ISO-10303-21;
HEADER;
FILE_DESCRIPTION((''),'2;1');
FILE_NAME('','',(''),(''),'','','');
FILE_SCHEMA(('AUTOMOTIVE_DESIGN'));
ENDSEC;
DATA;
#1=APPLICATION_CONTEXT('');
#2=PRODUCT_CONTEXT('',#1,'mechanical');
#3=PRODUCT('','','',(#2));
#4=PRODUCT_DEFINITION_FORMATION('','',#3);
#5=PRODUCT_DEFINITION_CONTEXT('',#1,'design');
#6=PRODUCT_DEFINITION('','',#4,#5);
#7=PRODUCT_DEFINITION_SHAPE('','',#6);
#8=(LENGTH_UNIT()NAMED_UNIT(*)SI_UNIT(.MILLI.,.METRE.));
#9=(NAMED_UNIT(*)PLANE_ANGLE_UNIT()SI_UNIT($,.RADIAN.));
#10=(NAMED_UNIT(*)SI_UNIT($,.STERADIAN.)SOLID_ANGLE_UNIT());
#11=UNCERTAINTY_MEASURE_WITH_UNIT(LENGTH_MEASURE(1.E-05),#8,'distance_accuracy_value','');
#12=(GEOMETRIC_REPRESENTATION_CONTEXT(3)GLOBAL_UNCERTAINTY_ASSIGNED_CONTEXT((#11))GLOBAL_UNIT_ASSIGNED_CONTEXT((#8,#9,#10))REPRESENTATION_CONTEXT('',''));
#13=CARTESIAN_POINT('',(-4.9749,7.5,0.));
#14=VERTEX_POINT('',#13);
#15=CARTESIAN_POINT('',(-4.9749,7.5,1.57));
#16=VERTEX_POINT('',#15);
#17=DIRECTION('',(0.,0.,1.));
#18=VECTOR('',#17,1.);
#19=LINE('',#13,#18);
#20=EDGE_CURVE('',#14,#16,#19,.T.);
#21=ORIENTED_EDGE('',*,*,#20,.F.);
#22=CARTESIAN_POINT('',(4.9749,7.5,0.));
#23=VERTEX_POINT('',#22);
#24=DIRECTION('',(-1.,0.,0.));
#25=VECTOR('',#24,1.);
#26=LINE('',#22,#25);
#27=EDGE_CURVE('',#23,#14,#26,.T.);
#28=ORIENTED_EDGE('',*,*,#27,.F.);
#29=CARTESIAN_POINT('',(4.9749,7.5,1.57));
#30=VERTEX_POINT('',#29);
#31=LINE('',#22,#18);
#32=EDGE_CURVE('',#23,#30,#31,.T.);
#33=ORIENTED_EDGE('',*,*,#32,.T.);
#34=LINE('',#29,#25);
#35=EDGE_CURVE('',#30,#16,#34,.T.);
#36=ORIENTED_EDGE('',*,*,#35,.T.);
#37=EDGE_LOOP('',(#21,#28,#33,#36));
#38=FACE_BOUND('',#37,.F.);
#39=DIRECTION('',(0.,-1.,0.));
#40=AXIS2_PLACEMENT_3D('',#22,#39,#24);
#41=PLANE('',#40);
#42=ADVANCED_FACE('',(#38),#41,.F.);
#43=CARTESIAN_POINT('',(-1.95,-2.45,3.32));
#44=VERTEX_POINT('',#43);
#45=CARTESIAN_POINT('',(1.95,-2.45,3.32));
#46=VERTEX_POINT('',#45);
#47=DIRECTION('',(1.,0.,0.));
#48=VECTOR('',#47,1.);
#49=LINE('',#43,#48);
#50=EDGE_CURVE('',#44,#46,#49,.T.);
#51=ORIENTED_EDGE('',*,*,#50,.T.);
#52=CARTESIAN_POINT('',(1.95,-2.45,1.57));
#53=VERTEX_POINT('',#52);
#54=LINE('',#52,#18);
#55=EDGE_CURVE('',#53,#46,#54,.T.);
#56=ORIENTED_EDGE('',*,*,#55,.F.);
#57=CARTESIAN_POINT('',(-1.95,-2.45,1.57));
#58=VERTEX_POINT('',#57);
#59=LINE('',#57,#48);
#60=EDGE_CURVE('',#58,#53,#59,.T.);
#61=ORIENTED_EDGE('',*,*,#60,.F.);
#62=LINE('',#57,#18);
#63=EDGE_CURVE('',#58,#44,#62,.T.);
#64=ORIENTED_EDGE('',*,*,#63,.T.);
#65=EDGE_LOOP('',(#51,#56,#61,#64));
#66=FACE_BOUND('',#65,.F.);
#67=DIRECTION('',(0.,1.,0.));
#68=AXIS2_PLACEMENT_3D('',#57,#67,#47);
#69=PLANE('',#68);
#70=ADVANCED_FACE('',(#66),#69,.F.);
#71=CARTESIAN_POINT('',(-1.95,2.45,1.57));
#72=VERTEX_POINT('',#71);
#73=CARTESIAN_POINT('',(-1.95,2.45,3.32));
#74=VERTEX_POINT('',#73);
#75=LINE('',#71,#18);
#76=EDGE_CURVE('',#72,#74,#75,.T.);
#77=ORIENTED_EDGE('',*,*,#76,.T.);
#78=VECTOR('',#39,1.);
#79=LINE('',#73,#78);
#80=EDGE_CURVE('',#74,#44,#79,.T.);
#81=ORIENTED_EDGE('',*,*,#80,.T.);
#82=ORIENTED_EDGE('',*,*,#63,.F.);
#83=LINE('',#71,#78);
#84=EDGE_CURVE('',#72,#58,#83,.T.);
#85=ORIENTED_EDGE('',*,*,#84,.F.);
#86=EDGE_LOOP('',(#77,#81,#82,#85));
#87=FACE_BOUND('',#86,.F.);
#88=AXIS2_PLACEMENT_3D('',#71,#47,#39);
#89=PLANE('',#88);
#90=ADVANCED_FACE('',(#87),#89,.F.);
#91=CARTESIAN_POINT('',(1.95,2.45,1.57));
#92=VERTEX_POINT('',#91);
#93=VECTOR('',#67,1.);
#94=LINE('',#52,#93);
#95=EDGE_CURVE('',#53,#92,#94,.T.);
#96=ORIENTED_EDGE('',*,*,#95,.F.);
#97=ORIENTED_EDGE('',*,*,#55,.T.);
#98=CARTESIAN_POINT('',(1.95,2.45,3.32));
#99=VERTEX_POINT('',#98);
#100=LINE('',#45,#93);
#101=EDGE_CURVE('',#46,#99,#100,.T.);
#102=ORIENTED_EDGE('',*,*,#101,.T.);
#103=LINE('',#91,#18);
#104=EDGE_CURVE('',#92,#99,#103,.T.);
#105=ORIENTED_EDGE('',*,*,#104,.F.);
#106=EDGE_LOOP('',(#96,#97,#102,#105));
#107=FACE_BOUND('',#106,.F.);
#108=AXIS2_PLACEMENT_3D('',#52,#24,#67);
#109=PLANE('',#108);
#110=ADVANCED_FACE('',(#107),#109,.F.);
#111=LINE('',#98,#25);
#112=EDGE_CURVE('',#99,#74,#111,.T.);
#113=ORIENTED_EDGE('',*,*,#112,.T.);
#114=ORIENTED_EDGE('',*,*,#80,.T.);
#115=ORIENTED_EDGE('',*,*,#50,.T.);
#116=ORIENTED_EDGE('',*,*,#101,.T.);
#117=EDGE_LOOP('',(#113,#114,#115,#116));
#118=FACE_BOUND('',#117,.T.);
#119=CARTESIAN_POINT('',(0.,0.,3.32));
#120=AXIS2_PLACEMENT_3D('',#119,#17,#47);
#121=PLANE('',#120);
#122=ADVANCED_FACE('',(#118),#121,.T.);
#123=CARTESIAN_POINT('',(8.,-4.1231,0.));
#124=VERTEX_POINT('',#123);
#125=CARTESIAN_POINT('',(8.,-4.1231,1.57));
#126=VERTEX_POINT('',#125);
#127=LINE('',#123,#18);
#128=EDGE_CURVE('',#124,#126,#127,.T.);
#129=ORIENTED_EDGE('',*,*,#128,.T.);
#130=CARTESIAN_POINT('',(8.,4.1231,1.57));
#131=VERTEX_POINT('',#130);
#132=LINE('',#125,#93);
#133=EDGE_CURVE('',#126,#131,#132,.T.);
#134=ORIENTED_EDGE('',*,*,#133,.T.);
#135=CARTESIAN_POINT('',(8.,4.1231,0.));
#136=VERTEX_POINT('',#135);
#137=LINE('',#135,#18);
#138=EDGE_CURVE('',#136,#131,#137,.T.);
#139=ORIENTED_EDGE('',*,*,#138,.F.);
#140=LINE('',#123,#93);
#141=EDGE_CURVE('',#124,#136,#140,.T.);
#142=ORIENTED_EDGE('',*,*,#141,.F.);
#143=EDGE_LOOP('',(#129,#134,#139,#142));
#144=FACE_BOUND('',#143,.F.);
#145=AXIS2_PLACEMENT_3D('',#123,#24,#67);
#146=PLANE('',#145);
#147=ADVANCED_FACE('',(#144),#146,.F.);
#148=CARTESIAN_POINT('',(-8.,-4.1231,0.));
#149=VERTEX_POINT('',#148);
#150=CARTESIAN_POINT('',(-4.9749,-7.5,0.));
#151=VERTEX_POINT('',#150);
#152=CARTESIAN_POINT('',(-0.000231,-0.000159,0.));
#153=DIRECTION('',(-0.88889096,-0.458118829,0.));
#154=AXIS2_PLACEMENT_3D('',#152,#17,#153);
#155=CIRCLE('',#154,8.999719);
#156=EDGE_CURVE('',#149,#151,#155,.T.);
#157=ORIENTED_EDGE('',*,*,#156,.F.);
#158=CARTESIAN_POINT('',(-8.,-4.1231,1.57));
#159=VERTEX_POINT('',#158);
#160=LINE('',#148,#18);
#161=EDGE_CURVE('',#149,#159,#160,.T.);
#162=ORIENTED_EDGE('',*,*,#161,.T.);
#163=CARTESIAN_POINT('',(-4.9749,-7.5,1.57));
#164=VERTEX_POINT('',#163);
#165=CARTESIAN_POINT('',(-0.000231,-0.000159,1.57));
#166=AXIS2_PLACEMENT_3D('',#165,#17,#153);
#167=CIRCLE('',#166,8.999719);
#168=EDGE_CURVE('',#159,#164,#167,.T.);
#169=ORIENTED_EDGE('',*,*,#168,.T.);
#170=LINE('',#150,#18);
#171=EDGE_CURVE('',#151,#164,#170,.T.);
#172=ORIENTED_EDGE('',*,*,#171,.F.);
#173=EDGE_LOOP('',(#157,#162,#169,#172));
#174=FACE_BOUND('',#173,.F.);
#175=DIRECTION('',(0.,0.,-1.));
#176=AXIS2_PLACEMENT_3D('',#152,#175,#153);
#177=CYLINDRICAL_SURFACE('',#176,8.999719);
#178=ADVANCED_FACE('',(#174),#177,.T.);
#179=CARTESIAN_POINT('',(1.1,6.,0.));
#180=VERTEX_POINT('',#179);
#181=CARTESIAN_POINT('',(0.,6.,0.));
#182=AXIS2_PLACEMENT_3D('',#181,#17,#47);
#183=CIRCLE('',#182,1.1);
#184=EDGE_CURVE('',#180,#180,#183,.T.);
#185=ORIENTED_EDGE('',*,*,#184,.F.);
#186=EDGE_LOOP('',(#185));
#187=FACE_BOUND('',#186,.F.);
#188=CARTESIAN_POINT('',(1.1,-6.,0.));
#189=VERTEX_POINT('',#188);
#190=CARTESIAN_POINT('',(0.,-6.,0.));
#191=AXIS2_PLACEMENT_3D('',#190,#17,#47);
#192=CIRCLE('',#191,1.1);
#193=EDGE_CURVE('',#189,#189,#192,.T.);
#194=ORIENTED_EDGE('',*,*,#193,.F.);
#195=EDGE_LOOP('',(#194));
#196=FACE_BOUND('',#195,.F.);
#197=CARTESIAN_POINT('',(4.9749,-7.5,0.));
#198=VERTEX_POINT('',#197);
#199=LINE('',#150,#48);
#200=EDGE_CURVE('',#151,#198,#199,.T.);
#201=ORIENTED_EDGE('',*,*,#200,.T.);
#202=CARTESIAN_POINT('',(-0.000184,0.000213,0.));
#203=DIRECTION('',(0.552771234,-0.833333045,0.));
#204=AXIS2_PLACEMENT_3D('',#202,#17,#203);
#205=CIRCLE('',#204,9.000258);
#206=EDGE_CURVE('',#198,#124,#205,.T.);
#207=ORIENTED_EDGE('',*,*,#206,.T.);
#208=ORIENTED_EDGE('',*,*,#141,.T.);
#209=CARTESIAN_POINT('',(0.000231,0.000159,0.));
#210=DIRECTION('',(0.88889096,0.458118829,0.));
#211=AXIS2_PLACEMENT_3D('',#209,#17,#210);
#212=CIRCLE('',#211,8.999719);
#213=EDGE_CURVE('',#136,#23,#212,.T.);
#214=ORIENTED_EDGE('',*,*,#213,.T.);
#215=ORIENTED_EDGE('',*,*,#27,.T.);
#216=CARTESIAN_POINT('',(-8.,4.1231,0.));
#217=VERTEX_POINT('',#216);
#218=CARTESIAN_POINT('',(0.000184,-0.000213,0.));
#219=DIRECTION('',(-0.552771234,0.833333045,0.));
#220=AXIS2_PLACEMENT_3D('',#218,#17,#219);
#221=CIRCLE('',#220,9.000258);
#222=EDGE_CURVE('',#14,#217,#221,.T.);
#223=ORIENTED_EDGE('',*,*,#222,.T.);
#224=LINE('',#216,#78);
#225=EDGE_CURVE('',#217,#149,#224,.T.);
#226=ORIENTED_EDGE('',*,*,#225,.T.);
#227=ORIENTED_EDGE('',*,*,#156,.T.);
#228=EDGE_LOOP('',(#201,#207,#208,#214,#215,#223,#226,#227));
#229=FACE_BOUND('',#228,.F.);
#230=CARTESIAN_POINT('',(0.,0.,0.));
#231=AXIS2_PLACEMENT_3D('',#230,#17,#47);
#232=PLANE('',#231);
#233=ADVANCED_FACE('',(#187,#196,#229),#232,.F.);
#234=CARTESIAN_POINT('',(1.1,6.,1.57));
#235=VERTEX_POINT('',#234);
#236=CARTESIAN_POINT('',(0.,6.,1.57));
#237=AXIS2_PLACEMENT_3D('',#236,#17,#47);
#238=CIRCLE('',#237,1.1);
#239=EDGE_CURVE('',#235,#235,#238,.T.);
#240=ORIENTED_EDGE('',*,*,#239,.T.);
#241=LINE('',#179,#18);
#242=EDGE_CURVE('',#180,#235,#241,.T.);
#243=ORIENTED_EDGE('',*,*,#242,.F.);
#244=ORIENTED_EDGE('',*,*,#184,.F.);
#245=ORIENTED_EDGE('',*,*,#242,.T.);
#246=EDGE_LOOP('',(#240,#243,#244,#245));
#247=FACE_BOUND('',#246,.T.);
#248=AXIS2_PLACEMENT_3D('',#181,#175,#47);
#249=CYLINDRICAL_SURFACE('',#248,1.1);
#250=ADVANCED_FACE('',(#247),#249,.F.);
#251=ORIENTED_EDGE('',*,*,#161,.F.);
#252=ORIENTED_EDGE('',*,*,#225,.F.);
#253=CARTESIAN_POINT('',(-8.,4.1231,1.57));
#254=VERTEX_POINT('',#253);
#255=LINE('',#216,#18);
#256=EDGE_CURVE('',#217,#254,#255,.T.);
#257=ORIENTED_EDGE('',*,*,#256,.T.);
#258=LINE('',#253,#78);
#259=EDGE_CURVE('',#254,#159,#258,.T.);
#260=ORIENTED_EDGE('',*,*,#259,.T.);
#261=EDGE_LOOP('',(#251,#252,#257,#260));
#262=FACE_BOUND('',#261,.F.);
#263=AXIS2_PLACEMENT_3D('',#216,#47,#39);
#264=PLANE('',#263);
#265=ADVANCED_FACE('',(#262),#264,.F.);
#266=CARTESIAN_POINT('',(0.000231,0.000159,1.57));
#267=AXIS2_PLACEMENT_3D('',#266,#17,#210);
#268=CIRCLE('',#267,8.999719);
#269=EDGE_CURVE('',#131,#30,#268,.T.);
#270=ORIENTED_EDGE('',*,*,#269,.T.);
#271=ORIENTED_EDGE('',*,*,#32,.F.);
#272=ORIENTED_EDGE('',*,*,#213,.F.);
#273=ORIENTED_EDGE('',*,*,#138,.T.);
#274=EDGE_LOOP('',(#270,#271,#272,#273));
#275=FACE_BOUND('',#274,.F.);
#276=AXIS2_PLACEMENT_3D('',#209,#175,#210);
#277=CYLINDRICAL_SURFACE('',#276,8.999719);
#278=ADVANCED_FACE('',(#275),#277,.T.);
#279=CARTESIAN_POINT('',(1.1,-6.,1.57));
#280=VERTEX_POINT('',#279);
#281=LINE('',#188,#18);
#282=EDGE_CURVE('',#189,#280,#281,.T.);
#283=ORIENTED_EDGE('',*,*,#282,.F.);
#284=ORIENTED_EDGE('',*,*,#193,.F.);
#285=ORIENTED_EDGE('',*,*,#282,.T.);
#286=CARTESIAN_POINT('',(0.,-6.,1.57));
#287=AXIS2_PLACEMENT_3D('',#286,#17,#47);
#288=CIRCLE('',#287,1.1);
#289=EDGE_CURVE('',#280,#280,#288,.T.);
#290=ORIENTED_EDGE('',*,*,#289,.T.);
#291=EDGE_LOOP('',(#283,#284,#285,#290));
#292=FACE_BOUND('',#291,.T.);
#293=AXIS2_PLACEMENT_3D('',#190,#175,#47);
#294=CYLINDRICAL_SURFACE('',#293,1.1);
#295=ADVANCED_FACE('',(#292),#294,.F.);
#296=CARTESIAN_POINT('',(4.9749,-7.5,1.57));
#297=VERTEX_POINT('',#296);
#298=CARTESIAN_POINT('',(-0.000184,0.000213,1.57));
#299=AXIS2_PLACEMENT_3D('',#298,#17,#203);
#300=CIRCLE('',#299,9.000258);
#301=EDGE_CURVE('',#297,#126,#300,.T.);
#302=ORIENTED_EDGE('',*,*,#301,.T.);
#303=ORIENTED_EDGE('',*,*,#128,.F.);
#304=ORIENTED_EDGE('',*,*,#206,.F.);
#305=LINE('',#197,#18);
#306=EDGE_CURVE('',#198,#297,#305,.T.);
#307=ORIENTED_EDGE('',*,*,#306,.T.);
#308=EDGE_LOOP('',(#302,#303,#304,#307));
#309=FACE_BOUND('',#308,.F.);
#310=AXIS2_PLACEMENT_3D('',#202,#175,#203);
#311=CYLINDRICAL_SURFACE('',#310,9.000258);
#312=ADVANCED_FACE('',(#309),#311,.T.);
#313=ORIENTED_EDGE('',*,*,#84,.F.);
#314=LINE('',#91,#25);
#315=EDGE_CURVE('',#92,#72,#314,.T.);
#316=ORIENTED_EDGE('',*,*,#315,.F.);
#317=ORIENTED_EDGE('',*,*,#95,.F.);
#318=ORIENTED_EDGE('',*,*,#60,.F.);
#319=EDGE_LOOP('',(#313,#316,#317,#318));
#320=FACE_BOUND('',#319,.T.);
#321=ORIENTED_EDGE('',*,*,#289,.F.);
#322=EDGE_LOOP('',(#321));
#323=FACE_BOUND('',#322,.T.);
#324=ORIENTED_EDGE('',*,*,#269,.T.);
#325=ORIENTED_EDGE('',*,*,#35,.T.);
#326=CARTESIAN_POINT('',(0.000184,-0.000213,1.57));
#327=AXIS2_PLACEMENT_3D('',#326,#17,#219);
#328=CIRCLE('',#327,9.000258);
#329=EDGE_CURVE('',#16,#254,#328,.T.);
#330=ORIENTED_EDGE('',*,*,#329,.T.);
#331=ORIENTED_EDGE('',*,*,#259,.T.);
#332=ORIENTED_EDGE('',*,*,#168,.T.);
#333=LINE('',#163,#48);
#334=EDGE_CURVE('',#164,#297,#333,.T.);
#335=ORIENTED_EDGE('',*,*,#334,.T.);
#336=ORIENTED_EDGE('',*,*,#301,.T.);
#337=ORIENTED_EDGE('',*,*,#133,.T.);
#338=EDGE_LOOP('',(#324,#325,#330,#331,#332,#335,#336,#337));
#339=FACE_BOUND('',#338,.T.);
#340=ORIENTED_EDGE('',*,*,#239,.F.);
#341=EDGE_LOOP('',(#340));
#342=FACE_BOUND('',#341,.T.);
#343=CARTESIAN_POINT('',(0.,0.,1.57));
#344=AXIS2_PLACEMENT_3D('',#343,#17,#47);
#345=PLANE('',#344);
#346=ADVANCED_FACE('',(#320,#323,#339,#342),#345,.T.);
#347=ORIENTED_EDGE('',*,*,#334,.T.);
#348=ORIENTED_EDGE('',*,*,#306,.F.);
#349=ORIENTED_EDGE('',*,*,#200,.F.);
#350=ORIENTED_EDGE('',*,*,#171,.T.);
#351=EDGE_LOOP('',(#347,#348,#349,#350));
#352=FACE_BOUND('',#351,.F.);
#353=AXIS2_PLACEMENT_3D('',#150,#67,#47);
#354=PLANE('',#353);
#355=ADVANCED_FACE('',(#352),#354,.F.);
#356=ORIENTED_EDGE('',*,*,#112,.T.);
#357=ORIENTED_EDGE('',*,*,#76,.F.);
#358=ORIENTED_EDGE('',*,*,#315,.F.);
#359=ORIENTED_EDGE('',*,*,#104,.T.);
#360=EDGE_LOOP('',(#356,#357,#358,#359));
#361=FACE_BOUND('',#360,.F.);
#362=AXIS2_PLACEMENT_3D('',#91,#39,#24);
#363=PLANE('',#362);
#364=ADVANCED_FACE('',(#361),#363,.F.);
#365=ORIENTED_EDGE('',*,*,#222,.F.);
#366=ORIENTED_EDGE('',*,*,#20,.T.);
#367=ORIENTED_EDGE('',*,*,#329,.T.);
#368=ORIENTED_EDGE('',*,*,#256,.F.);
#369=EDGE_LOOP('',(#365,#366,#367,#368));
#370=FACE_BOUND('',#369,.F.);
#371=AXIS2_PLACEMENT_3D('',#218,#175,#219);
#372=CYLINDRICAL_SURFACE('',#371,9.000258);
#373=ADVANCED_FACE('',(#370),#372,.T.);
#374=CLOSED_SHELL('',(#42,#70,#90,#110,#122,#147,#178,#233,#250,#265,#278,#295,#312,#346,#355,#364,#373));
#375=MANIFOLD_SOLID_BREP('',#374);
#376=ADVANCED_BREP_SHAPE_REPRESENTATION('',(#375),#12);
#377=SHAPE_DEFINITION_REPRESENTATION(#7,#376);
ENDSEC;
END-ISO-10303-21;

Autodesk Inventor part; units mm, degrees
ref_plane "YZ Plane" through (0, 0, 0) normal (1, 0, 0) x (0, 1, 0)
ref_plane "XZ Plane" through (0, 0, 0) normal (0, 1, 0) x (-1, 0, 0)
ref_plane "XY Plane" through (0, 0, 0) normal (0, 0, 1) x (1, 0, 0)
sketch "Sketch1" plane through (0, 0, 0) normal (0, 0, 1) x (1, 0, 0)
  line L0 (8, 7.5) -> (4.9749, 7.5) construction
  line L1 (-8, 7.5) -> (-8, 4.1231) construction
  line L2 (-8, -7.5) -> (-4.9749, -7.5) construction
  line L3 (8, -7.5) -> (8, -4.1231) construction
  arc A0 (8, 4.1231) -> (4.9749, 7.5) centre (0, 0) ccw
  arc A1 (8, -4.1231) -> (8, 4.1231) centre (0, 0) ccw construction
  arc A2 (-4.9749, 7.5) -> (-8, 4.1231) centre (0, 0) ccw
  arc A3 (-4.9749, -7.5) -> (4.9749, -7.5) centre (0, 0) ccw construction
  arc A4 (4.9749, -7.5) -> (8, -4.1231) centre (0, 0) ccw
  line L4 (4.9749, -7.5) -> (8, -7.5) construction
  line L5 (-4.9749, -7.5) -> (4.9749, -7.5)
  line L6 (-8, -4.1231) -> (-8, -7.5) construction
  line L7 (8, 4.1231) -> (8, 7.5) construction
  line L8 (8, -4.1231) -> (8, 4.1231)
  line L9 (-8, 4.1231) -> (-8, -4.1231)
  line L10 (-4.9749, 7.5) -> (-8, 7.5) construction
  arc A5 (4.9749, 7.5) -> (-4.9749, 7.5) centre (0, 0) ccw construction
  arc A6 (-8, 4.1231) -> (-8, -4.1231) centre (0, 0) ccw construction
  arc A7 (-8, -4.1231) -> (-4.9749, -7.5) centre (0, 0) ccw
  line L11 (4.9749, 7.5) -> (-4.9749, 7.5)
  circle A8 centre (0, -6) radius 1.1
  circle A9 centre (0, 6) radius 1.1
  dimension "d3" = 15
  dimension "d4" = 16
  dimension "d6" = 7.5
  dimension "d7" = 8
  dimension "d8" = 18
  dimension "d9" = 6
  dimension "d10" = 2.2
  dimension "d11" = 2.2
  dimension "d12" = 6
extrude "Extrusion1" add sketch "Sketch1" along normal blind 1.57
sketch "Sketch2" plane through (0, 0, 1.57) normal (0, 0, 1) x (1, 0, 0)
  line L0 (1.95, 2.45) -> (-1.95, 2.45)
  line L1 (-1.95, 2.45) -> (-1.95, -2.45)
  line L2 (-1.95, -2.45) -> (1.95, -2.45)
  line L3 (1.95, -2.45) -> (1.95, 2.45)
  point P0 (0, 0)
  dimension "d15" = 4.9
  dimension "d16" = 3.9
  dimension "d17" = 1.95
  dimension "d18" = 2.45
extrude "Extrusion2" add sketch "Sketch2" along normal blind 1.75
properties part number "AS5600"
